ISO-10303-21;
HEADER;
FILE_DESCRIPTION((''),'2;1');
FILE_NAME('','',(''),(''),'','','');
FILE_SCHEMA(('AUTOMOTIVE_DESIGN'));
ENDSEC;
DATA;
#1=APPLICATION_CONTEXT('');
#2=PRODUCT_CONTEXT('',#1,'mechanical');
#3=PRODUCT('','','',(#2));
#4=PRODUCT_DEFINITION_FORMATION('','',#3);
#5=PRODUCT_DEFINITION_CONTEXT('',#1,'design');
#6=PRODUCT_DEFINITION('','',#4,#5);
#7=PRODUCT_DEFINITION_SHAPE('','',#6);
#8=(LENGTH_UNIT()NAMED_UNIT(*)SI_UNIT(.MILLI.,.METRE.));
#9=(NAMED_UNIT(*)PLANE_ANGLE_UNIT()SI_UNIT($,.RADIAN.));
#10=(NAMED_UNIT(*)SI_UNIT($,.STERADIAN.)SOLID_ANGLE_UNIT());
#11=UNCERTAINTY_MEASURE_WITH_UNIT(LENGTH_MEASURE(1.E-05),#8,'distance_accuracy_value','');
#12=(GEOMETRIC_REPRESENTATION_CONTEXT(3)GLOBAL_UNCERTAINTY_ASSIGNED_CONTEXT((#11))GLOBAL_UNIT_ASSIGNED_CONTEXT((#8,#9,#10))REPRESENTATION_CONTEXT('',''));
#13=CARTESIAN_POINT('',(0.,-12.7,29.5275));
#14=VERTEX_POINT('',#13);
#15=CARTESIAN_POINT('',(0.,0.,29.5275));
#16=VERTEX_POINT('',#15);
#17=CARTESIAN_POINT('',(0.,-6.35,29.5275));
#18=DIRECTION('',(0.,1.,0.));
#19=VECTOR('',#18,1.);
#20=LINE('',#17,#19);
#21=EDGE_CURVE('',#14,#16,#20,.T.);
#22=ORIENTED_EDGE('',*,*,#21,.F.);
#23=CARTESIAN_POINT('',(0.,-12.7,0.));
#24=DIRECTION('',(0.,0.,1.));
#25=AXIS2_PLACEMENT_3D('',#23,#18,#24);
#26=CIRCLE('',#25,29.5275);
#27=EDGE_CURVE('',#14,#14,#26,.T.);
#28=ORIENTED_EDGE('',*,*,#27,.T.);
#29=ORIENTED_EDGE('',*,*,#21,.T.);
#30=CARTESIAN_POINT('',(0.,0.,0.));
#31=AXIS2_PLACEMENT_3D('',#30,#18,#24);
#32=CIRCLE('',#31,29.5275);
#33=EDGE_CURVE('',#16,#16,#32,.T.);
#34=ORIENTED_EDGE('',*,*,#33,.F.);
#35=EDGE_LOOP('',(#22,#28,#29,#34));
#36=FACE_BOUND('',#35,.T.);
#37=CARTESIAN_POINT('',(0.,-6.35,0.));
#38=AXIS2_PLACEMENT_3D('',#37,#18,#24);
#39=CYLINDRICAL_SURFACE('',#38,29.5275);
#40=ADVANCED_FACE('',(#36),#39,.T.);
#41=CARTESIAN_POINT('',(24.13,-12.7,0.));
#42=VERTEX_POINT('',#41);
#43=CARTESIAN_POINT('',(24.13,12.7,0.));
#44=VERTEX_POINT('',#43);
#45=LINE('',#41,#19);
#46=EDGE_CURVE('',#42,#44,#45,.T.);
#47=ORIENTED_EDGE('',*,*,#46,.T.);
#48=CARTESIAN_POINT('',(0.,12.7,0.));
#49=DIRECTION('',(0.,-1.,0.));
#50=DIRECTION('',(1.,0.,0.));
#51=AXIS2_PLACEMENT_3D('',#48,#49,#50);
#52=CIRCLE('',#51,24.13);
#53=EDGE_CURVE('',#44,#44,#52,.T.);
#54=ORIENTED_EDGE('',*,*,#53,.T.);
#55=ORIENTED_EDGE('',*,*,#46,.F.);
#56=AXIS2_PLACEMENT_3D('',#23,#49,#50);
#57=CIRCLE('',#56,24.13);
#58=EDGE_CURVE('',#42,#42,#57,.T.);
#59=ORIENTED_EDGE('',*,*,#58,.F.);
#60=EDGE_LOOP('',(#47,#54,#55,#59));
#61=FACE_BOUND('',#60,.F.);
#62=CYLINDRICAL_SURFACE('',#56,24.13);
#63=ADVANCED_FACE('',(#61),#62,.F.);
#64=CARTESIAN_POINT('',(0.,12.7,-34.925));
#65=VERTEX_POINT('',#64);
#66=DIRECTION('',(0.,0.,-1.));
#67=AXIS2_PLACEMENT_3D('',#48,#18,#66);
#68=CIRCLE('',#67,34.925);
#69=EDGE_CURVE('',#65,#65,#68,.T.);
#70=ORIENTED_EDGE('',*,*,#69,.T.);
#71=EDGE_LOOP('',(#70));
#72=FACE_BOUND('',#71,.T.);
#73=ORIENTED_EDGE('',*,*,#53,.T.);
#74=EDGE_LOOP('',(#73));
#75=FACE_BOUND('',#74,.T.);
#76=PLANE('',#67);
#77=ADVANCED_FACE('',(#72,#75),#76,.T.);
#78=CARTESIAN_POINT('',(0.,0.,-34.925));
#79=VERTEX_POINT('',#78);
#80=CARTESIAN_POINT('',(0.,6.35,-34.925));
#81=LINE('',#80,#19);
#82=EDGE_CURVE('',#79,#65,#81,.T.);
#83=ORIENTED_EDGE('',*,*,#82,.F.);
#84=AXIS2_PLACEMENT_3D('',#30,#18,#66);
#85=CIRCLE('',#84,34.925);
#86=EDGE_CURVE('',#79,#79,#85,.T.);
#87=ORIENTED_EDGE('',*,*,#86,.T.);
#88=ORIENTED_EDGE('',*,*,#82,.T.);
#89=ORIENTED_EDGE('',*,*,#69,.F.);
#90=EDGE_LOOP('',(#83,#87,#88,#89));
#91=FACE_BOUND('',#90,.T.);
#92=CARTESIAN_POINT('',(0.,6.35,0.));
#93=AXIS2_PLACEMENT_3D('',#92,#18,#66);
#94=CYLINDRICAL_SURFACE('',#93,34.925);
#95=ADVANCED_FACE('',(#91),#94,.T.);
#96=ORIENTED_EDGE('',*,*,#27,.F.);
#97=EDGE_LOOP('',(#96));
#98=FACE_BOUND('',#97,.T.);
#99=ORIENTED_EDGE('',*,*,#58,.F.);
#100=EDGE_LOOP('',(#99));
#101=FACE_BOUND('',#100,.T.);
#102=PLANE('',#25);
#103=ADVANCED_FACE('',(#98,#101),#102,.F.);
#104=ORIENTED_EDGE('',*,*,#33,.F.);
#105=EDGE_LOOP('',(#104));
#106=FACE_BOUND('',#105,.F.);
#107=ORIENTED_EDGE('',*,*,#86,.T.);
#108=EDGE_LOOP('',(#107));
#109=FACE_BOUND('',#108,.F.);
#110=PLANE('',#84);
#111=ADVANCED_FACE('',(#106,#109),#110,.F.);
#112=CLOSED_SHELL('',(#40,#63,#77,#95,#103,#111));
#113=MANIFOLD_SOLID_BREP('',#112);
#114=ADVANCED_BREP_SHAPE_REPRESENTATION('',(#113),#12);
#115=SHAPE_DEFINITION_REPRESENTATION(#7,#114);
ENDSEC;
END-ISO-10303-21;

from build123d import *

# Parameters (mm, degrees)
F0_W     = 12.7
F0_H     = 34.925
F0_H_2   = 29.5275
F3_R     = 24.13
F4_DEPTH = 25.4


with BuildPart() as f1:
    # F0 (on Right) → F1 (revolve)
    with BuildSketch(Plane.YZ):
        with Locations((6.35, -17.4625)):
            Rectangle(F0_W, F0_H)
    revolve(axis=Axis((0, 6.35, 0), (0, 1, 0)))

    # F0 (on Right) → F2 (revolve)
    with BuildSketch(Plane.YZ):
        with Locations((6.35, -17.4625)):
            Rectangle(F0_W, F0_H)
        with Locations((-6.35, 14.76375)):
            Rectangle(F0_W, F0_H_2)
    revolve(axis=Axis((0, 0, 0), (0, 1, 0)))

    # F3 (on face) → F4 (cut)
    with BuildSketch(Plane.XZ.offset(12.7)):
        Circle(F3_R)
    extrude(amount=-F4_DEPTH, mode=Mode.SUBTRACT)


solid = f1.part
